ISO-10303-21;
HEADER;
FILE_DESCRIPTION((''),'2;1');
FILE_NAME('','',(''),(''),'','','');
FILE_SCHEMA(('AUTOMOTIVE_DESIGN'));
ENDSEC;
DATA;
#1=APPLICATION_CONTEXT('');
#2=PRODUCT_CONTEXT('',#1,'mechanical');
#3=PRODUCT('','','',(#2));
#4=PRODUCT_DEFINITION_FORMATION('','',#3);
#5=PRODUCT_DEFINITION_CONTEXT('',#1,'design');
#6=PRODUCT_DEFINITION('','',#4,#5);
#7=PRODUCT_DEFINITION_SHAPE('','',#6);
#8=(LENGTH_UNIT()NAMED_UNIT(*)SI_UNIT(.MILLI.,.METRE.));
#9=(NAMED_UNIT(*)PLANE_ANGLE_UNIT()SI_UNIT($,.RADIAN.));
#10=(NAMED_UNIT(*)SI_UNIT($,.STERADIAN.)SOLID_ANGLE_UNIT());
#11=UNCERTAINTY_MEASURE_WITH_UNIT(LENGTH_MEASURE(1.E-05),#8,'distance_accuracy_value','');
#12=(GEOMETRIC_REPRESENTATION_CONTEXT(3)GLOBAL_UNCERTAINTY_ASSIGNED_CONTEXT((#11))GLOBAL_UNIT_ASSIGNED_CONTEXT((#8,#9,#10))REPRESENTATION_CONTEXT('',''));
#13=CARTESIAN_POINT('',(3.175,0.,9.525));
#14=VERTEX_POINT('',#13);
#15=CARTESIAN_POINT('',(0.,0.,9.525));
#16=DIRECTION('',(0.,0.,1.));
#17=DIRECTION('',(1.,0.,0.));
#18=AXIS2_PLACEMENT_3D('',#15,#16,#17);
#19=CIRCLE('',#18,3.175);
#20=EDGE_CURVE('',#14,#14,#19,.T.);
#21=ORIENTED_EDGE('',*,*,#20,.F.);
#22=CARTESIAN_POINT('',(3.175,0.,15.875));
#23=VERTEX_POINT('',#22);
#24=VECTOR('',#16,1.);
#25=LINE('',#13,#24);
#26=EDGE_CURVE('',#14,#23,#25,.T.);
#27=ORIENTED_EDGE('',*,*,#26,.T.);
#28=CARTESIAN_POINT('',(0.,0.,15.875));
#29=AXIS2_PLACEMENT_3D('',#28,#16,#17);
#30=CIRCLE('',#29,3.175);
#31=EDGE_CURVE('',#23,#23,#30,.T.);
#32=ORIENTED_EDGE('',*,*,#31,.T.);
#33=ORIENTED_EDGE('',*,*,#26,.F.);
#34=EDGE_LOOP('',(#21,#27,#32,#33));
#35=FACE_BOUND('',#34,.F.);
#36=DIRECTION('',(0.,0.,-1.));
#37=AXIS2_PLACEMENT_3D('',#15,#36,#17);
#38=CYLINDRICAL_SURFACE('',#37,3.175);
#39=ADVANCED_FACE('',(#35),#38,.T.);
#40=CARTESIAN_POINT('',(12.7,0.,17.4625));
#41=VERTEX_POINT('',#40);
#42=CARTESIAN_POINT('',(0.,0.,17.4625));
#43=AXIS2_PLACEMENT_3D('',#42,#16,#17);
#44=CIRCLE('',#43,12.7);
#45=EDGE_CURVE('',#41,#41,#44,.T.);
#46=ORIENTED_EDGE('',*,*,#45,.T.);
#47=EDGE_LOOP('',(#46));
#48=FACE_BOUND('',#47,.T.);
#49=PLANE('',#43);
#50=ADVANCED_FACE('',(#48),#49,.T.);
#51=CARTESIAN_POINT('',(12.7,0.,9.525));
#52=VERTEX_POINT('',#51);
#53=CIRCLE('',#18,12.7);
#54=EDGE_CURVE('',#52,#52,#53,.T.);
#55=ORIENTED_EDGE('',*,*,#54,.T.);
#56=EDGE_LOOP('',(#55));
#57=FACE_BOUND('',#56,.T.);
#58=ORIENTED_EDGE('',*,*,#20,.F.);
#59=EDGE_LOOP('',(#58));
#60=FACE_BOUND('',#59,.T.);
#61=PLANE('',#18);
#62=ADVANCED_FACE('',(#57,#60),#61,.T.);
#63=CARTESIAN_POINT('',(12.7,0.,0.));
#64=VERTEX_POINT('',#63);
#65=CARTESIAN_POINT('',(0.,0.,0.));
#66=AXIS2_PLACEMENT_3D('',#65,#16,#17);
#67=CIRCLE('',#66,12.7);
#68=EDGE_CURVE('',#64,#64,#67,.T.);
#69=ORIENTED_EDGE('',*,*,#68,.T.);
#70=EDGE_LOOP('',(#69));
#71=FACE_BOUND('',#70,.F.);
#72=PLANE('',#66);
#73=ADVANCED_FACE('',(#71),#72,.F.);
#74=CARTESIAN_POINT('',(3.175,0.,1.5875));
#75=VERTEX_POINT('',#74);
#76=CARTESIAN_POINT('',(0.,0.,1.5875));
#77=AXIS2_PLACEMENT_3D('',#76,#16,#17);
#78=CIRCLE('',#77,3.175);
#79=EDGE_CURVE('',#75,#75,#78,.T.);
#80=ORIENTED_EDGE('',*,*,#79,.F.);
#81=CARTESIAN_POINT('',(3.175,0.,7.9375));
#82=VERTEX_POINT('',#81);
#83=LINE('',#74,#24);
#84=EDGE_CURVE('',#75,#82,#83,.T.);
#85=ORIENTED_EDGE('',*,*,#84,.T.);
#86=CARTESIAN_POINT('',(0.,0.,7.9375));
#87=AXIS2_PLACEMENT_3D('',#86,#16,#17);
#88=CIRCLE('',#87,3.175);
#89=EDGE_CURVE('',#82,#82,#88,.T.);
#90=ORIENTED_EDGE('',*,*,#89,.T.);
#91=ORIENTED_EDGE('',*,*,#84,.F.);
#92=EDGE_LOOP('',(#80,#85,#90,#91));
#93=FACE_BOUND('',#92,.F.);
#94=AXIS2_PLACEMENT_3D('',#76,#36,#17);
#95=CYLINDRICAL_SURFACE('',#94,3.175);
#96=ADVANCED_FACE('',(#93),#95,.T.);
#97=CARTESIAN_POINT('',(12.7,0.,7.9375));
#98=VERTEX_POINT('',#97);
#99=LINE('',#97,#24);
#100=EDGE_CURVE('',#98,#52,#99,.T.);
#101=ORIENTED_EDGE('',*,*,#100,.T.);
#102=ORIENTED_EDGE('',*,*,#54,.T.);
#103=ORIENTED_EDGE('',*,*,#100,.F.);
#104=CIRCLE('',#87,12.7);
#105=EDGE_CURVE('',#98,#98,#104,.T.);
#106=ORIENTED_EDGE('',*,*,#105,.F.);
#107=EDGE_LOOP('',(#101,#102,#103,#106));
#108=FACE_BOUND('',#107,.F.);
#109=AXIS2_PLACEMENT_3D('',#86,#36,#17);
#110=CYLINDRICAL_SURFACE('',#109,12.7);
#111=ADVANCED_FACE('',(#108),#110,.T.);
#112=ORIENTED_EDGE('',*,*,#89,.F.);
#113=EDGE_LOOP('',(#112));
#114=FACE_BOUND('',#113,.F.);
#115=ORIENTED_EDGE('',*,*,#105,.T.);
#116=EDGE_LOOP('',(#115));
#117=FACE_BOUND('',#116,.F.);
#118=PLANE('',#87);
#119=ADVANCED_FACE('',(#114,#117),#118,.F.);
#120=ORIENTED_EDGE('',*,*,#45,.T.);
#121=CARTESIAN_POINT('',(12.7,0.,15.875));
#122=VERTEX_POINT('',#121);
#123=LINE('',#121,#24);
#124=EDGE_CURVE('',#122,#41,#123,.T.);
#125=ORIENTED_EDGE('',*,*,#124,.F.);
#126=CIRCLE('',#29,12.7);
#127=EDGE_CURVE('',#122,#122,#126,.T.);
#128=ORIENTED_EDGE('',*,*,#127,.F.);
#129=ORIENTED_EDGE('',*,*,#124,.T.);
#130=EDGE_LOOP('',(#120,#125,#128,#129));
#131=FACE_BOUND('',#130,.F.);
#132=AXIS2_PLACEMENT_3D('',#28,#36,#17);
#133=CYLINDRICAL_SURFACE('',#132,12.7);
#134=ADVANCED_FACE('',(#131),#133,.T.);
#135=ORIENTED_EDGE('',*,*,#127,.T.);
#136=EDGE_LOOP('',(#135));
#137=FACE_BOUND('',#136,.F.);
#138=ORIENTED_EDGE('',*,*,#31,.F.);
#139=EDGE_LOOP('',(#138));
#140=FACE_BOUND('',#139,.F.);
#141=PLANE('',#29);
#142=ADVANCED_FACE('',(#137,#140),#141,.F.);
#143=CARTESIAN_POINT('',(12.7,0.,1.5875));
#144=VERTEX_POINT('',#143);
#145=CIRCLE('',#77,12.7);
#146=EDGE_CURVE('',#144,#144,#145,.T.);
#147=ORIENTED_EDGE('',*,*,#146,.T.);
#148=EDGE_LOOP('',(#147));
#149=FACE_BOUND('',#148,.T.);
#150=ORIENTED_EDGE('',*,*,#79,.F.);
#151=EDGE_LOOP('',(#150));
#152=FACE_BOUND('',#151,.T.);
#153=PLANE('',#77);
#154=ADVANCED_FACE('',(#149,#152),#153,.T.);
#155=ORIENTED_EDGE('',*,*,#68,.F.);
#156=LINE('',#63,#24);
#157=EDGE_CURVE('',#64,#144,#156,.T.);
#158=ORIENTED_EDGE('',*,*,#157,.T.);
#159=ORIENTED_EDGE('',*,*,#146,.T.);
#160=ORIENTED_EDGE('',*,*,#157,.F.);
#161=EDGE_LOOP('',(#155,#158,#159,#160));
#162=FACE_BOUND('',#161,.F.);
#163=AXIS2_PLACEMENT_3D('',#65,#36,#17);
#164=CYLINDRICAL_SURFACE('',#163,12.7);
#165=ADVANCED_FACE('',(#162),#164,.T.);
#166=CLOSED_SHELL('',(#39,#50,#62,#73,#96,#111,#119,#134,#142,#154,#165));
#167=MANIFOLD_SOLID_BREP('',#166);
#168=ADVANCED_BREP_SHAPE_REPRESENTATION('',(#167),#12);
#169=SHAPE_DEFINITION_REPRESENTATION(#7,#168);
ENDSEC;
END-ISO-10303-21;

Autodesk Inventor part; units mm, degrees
ref_plane "YZ Plane" through (0, 0, 0) normal (1, 0, 0) x (0, 1, 0)
ref_plane "XZ Plane" through (0, 0, 0) normal (0, 1, 0) x (-1, 0, 0)
ref_plane "XY Plane" through (0, 0, 0) normal (0, 0, 1) x (1, 0, 0)
sketch "Sketch1" plane through (0, 0, 0) normal (0, 0, 1) x (1, 0, 0)
  circle A0 centre (0, 0) radius 12.7
  dimension "d0" = 25.4
extrude "Extrusion1" add sketch "Sketch1" along normal blind 1.5875
sketch "Sketch2" plane through (0, 0, 1.5875) normal (0, 0, 1) x (1, 0, 0)
  circle A0 centre (0, 0) radius 3.175
  dimension "d3" = 6.35
extrude "Extrusion2" add sketch "Sketch2" along normal blind 6.35
sketch "Sketch3" plane through (0, 0, 7.9375) normal (0, 0, 1) x (1, 0, 0)
  circle A0 centre (0, 0) radius 12.7
  dimension "d6" = 25.4
extrude "Extrusion3" add sketch "Sketch3" along normal blind 1.5875
sketch "Sketch4" plane through (0, 0, 9.525) normal (0, 0, 1) x (1, 0, 0)
  circle A0 centre (0, 0) radius 3.175
  dimension "d9" = 6.35
extrude "Extrusion4" add sketch "Sketch4" along normal blind 6.35
sketch "Sketch5" plane through (0, 0, 15.875) normal (0, 0, 1) x (1, 0, 0)
  circle A0 centre (0, 0) radius 12.7
  dimension "d12" = 25.4
extrude "Extrusion5" add sketch "Sketch5" along normal blind 1.5875
equation "\"d0\" = spoolD"
equation "\"d1\" = spoolT"
equation "\"d3\" = hubD"
equation "\"d4\" = hubH"
equation "\"d6\" = spoolD"
equation "\"d7\" = spoolT"
equation "\"d9\" = hubD"
equation "\"d10\" = hubH"
equation "\"d12\" = spoolD"
equation "\"d13\" = spoolT"
equation "\"spoolD\" = 25.4"
equation "\"hubD\" = 6.35"
equation "\"spoolT\" = 1.5875"
equation "\"hubH\" = 6.35"
equation "\"hornT\" = 1.5875"
equation "\"hornD\" = 25.4"
equation "\"hornS\" = 2.794"
equation "\"hornOD\" = 8.89"
equation "\"hornH\" = 2.54"
equation "\"hornID\" = 6.096"
equation "\"inset\" = 2.032"
equation "\"insetD\" = 5.842"
equation "\"servW\" = 20.1168"
equation "\"servL\" = 40.5892"
equation "\"servML\" = 49.784"
equation "\"servMW\" = 10.033"
equation "\"servMD\" = 3.175"
equation "\"housL\" = 53.975"
equation "\"housW\" = 28.575"
equation "\"housT\" = 2.54"
equation "\"housBT\" = 1.5875"
equation "\"housH\" = 39.116"
equation "\"guideW\" = 9.144"
equation "\"guideH\" = 23.114"
equation "\"guideD\" = 3.175"
properties part number "Spool"
